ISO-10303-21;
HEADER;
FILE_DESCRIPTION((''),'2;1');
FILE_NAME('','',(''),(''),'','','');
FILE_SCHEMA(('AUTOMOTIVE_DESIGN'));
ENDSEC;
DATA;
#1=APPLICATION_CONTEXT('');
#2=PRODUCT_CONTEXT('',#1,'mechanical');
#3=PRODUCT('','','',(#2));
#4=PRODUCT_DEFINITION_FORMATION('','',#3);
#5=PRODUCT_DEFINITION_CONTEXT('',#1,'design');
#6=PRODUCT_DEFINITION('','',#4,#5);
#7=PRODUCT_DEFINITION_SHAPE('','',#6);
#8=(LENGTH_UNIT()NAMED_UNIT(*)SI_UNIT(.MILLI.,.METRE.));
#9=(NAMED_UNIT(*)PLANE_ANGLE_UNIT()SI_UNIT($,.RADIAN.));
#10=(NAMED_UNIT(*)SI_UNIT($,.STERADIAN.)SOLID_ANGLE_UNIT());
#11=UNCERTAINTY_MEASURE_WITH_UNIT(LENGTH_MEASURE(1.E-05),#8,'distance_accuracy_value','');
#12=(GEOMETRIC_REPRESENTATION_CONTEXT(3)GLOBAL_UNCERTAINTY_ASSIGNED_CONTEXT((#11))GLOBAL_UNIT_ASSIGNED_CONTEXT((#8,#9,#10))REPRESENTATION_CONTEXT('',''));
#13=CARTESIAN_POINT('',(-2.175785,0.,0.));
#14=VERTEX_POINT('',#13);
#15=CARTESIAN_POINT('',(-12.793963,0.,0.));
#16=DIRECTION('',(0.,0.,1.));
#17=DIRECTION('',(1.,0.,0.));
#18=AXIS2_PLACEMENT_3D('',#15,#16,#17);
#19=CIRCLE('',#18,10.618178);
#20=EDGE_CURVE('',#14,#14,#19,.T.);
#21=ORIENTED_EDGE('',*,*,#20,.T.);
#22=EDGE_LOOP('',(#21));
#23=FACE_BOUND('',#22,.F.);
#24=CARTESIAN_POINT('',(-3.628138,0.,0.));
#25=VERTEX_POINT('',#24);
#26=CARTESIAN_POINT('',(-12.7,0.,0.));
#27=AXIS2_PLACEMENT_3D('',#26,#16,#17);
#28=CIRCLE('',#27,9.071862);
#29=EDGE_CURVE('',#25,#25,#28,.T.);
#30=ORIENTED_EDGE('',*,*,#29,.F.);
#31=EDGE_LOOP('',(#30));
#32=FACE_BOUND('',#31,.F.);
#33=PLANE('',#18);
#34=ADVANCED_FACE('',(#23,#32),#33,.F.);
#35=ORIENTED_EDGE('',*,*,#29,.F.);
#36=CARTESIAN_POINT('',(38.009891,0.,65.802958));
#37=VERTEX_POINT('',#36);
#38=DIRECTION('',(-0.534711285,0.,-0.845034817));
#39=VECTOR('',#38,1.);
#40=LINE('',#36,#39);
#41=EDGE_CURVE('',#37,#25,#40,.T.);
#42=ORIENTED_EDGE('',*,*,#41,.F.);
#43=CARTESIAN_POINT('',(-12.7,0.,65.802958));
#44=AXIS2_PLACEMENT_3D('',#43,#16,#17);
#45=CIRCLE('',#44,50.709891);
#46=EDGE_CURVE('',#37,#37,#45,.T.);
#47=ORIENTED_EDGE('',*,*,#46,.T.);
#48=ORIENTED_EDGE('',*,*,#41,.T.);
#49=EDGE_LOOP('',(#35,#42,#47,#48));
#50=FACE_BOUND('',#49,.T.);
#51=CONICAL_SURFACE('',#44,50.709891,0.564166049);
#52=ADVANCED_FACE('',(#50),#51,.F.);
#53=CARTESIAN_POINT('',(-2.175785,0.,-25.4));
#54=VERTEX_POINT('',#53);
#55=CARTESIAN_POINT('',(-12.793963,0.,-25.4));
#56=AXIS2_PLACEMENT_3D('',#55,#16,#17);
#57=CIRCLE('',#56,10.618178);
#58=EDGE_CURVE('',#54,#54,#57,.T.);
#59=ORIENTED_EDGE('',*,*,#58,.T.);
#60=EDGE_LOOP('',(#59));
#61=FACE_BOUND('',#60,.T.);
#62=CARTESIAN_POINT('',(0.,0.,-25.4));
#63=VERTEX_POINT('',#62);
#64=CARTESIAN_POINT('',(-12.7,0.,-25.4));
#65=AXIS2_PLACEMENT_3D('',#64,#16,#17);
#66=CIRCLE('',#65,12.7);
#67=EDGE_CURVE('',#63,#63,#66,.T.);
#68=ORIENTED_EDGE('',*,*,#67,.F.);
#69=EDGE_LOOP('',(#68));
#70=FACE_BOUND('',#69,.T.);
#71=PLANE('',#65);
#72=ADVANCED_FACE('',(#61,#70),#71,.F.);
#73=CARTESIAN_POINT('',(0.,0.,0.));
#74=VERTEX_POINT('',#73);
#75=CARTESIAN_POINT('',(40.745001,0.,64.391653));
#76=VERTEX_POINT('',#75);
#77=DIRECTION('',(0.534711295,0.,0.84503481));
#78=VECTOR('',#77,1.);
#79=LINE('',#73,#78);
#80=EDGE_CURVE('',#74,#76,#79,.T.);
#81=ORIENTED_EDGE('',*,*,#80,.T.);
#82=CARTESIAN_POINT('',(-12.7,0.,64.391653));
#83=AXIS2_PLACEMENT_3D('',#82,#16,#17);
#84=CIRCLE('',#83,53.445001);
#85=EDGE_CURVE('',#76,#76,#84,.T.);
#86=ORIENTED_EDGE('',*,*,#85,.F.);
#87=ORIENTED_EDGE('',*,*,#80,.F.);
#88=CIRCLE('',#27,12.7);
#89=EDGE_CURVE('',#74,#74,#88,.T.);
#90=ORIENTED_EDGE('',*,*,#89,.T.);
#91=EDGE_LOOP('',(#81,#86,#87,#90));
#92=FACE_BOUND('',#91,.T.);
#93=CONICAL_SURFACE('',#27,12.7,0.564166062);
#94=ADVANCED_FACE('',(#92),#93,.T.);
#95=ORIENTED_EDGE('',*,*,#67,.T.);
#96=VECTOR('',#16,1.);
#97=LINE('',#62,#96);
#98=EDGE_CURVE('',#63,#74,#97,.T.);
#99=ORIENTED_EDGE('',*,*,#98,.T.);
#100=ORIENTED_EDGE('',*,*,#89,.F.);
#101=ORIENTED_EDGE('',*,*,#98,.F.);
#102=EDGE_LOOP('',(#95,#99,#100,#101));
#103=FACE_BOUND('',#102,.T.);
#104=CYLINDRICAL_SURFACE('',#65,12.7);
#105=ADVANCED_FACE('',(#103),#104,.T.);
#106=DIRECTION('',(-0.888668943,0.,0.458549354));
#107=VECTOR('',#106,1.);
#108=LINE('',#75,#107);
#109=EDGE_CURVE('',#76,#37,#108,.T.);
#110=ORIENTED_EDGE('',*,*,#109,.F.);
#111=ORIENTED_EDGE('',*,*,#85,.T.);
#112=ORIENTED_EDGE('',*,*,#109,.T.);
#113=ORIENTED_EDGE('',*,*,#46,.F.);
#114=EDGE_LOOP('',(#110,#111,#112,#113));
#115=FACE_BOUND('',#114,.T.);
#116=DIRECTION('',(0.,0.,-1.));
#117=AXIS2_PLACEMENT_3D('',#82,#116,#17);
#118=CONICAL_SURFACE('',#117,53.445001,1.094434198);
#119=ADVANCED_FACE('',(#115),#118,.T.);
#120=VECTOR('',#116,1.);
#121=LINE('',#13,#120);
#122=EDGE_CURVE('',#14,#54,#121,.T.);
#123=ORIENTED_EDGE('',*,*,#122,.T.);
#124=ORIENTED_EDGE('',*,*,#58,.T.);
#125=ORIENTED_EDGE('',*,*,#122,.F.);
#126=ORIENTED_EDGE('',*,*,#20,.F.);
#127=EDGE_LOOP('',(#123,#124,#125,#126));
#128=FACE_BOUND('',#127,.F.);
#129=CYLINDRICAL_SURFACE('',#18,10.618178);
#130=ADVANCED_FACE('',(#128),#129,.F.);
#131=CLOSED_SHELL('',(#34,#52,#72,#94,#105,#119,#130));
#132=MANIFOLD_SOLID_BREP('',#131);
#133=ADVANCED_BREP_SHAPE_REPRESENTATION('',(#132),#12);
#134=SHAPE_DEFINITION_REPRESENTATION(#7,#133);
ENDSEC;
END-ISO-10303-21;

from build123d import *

# Parameters (mm, degrees)
F2_R     = 10.618178
F3_DEPTH = 25.4


with BuildPart() as f1:
    # F0 (on Front) → F1 (revolve)
    with BuildSketch(Plane.XZ):
        Polygon((0, -25.4), (0, 0), (40.745001, 64.391653), (38.009891, 65.802958), (-3.628138, 0), (-12.7, 0), (-12.7, -25.4), align=None)
    revolve(axis=Axis((-12.7, 0, -12.7), (0, 0, 1)))

    # F2 (on Top) → F3 (cut)
    with BuildSketch(Plane.XY):
        with Locations((-12.793963, 0)):
            Circle(F2_R)
    extrude(amount=-F3_DEPTH, mode=Mode.SUBTRACT)


solid = f1.part
